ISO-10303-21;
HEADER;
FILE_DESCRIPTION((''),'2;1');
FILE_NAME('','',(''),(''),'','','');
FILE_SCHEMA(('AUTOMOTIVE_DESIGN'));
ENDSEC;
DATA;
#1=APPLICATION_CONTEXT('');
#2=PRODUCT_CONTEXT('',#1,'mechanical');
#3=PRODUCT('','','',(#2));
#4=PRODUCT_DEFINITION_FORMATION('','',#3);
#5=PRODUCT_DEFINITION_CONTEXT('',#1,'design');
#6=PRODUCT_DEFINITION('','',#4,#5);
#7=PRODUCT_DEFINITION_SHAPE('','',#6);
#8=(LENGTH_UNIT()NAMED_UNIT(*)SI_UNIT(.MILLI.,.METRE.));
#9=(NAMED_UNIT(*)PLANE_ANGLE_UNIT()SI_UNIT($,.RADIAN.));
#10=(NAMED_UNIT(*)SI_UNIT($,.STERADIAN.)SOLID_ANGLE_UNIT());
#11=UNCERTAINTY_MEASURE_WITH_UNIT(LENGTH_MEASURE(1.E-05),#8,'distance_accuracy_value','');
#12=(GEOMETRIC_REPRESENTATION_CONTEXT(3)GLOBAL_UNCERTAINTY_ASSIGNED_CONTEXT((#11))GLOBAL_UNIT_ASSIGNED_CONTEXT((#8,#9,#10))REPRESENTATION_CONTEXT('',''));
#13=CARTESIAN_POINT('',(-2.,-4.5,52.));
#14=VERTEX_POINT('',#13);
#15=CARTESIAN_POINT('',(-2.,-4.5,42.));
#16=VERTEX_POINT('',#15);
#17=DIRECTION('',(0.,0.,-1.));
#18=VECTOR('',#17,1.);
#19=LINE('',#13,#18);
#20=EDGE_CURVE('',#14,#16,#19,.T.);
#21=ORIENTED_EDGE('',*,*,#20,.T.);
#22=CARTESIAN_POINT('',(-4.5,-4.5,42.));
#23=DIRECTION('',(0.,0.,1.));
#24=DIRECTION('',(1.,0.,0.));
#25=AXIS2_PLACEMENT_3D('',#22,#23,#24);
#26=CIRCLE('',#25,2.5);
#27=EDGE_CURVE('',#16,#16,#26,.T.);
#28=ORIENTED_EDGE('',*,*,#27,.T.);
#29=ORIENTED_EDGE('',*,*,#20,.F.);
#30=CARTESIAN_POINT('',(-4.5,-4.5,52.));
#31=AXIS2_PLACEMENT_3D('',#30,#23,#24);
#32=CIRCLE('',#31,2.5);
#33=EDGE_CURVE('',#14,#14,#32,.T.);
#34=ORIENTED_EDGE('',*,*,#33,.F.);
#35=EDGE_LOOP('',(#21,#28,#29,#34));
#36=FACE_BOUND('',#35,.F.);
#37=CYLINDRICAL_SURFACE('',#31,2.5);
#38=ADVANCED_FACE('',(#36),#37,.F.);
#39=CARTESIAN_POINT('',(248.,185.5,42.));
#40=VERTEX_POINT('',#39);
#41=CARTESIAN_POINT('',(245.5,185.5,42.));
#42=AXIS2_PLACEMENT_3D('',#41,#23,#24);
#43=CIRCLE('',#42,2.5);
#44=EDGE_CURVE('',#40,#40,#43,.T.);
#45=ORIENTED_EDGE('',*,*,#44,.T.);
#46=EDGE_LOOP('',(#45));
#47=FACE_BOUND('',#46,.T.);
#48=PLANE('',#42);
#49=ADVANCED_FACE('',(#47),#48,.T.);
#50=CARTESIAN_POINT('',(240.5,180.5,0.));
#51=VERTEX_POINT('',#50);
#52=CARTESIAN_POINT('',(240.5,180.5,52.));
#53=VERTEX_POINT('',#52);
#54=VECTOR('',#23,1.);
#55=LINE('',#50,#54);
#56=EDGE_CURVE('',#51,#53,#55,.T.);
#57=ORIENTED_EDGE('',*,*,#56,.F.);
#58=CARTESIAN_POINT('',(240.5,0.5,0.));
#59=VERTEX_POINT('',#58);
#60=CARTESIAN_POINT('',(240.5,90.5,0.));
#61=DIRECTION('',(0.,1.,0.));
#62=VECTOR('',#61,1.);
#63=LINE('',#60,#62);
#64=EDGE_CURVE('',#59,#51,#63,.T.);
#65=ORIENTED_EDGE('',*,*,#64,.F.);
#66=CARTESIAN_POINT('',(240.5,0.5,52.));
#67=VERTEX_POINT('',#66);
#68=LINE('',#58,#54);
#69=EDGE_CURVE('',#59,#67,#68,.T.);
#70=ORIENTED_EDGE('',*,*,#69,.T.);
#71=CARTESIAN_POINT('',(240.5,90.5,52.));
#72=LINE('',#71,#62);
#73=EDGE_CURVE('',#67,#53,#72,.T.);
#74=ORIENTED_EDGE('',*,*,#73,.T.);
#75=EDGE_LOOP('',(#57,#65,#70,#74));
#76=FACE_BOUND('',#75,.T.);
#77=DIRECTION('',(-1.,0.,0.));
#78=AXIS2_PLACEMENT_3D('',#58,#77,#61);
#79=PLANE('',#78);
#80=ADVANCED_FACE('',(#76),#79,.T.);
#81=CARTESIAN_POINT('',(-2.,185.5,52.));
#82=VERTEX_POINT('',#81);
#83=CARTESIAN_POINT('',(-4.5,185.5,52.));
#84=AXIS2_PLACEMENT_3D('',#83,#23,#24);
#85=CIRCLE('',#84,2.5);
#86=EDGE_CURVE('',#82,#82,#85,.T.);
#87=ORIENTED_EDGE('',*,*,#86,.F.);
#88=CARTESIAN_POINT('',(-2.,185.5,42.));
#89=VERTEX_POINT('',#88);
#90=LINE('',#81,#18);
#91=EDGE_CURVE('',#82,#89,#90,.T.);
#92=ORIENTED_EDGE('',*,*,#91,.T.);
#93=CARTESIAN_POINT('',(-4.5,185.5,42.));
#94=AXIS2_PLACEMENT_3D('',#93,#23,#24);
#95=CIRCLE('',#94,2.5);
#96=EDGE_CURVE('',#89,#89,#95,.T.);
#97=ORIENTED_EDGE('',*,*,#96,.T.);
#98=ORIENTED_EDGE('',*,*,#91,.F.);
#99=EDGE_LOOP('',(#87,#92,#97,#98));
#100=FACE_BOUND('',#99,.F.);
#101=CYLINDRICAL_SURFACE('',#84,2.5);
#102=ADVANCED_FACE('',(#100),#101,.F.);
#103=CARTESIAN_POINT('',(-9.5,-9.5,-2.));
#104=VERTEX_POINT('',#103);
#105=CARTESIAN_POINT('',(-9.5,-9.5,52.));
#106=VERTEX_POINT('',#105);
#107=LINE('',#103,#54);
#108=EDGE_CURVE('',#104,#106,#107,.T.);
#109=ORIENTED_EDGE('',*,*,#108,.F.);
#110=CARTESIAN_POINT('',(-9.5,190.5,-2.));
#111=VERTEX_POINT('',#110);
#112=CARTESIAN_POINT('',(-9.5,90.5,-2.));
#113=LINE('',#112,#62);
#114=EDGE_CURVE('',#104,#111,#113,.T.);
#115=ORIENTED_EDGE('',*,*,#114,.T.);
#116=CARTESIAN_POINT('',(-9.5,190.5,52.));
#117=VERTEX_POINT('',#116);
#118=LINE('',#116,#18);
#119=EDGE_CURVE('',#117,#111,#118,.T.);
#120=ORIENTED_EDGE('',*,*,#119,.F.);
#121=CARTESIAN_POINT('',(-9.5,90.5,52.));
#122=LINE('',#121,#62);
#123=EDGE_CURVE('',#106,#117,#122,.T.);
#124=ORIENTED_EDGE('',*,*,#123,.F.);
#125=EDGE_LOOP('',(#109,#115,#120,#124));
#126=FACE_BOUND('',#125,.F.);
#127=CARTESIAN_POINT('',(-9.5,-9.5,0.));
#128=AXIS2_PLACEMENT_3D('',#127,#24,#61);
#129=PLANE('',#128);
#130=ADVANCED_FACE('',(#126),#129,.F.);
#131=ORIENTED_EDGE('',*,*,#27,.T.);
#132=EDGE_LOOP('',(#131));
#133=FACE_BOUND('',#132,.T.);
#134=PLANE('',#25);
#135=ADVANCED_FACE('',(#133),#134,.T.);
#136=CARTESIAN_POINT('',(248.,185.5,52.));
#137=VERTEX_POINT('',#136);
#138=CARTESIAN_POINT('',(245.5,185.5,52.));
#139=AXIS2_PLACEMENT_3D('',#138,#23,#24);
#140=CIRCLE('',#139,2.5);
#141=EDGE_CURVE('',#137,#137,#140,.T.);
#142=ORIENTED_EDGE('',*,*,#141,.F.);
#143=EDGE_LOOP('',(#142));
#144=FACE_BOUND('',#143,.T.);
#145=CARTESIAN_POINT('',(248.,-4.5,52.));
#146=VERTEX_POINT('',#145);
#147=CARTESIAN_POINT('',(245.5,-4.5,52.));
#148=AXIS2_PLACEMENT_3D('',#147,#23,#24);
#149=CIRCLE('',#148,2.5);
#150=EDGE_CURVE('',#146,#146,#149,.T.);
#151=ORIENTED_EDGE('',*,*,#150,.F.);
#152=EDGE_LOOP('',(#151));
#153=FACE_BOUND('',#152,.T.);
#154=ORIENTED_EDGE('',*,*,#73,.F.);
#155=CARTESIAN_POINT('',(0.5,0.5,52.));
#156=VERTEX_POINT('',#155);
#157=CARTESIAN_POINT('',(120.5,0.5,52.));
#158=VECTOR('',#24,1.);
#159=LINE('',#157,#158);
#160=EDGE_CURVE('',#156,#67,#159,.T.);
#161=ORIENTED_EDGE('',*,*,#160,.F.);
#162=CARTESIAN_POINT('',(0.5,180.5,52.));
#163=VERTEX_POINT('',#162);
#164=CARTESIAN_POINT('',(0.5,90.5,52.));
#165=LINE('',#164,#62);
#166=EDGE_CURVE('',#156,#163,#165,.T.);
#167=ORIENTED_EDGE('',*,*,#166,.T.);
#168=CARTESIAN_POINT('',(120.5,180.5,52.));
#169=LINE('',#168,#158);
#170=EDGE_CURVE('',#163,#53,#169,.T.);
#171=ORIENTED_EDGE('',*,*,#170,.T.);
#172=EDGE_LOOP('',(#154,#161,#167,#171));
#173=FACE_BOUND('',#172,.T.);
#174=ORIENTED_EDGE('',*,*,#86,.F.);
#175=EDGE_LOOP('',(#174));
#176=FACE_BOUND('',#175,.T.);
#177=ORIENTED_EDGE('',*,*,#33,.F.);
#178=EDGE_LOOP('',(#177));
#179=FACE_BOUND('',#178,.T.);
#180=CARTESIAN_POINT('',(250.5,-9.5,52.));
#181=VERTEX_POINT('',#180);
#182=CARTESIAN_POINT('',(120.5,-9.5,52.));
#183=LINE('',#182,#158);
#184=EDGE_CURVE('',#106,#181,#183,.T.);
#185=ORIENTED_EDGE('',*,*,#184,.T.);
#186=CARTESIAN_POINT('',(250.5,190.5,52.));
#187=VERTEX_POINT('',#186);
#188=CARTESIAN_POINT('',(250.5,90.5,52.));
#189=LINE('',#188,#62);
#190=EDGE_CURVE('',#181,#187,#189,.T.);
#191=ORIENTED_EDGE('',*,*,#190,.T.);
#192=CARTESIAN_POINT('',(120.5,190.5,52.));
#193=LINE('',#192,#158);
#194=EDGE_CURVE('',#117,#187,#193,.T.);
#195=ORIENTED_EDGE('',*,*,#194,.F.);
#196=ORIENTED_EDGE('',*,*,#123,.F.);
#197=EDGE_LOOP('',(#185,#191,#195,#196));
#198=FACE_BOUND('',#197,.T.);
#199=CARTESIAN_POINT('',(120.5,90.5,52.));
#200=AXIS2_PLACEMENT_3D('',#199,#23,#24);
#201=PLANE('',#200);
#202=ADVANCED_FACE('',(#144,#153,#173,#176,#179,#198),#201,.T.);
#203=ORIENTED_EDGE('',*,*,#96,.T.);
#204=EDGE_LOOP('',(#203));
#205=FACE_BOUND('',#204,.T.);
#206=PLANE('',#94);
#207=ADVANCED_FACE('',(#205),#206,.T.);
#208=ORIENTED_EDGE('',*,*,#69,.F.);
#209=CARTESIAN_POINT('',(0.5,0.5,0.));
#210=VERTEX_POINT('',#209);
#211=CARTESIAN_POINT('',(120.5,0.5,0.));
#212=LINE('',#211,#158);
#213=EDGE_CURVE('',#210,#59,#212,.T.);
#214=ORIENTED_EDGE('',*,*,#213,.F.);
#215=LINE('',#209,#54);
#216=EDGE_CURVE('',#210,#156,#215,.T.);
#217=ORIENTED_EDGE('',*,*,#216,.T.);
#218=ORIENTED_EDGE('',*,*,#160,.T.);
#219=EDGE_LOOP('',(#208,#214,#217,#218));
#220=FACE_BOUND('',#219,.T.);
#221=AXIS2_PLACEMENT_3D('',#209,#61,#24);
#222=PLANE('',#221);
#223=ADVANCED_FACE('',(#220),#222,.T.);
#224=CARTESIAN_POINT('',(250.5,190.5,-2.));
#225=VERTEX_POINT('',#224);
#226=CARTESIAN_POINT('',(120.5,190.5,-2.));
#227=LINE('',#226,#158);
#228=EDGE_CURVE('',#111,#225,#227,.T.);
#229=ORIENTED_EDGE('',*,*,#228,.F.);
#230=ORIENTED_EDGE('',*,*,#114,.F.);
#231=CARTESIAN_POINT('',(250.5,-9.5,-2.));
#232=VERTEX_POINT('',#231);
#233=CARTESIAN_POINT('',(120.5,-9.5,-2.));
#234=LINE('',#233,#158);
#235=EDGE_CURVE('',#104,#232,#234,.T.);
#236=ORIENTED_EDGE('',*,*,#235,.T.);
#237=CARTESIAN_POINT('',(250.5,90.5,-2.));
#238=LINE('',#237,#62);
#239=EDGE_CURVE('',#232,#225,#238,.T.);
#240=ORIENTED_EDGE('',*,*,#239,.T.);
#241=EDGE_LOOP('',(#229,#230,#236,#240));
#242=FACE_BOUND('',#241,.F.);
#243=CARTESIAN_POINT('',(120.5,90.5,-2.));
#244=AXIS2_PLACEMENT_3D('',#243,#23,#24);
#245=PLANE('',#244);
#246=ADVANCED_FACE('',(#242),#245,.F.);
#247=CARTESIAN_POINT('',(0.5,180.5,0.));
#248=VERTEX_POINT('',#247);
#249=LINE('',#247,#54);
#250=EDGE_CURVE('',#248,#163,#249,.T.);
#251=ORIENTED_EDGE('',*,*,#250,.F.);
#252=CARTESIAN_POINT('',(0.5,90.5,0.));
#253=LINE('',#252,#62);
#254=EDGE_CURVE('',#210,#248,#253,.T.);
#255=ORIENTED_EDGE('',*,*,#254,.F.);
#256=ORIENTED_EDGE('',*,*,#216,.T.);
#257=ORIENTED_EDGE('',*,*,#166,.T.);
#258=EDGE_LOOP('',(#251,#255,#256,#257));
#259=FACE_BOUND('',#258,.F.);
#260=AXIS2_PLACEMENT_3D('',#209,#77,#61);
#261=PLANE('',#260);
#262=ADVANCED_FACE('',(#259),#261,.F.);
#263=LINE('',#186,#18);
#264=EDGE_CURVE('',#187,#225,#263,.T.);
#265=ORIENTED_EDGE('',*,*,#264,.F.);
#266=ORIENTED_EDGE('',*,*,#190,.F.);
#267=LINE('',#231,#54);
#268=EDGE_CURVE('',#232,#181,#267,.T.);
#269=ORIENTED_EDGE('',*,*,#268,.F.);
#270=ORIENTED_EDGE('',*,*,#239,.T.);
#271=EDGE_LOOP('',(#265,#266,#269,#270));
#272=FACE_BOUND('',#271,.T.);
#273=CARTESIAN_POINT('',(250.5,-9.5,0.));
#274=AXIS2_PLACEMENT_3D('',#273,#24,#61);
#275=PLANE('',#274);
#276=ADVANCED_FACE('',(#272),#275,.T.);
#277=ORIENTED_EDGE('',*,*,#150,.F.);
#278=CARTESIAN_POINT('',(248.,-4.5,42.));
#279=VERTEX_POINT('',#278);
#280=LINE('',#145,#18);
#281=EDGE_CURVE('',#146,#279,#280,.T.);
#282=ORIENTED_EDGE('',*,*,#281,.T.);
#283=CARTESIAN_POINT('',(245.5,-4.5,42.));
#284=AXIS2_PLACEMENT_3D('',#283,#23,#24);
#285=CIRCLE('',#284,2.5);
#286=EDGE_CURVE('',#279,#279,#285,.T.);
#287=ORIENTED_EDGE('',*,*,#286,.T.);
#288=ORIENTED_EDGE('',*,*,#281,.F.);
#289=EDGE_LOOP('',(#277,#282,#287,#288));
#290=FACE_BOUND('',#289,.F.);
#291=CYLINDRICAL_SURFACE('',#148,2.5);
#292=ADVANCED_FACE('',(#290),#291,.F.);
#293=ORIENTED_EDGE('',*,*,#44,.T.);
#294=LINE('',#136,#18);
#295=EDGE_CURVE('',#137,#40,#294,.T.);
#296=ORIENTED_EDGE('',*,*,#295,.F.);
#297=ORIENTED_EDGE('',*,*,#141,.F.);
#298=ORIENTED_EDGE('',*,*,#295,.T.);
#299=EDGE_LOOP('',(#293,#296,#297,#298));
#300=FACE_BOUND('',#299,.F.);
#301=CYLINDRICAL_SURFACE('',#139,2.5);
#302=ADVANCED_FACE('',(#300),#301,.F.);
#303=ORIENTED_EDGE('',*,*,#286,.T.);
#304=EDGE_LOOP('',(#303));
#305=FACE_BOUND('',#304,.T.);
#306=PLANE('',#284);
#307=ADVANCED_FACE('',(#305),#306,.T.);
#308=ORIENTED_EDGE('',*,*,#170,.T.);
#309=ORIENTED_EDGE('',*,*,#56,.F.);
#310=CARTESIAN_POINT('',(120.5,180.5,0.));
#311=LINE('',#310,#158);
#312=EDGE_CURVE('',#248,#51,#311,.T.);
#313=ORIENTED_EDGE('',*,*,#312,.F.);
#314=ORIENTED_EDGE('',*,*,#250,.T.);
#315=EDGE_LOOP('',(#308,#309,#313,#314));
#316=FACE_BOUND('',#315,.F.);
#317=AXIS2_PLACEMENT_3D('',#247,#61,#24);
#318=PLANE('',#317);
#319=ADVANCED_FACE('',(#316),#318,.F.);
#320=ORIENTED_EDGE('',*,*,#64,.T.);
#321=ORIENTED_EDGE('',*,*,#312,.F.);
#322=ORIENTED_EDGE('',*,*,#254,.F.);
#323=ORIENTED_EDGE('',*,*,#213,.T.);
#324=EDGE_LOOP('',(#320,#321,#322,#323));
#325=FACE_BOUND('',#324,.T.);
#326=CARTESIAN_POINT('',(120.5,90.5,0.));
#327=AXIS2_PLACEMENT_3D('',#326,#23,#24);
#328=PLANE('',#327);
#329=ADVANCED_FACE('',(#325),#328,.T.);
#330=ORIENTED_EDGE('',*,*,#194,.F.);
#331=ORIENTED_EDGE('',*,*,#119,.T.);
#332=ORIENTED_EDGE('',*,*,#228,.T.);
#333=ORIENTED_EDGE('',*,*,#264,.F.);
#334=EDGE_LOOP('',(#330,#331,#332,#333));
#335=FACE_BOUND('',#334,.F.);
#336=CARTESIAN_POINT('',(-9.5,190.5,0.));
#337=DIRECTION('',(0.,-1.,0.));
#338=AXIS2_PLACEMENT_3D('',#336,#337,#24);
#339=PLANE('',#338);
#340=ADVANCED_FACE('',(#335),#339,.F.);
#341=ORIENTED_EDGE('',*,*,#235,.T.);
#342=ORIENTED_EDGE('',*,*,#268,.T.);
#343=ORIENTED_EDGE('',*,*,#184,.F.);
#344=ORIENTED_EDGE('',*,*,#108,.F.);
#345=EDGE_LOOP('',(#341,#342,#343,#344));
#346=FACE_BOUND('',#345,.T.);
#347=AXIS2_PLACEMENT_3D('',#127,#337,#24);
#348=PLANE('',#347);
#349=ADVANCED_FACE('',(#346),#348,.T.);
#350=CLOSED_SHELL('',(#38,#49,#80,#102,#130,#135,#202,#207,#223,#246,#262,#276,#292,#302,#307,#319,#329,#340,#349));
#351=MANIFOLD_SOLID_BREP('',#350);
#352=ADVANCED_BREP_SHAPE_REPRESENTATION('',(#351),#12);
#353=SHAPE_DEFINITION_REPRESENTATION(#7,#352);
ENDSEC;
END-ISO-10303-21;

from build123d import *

# Parameters (mm, degrees)
SKETCH_W     = 260
SKETCH_H     = 200
SKETCH_W_2   = 240
SKETCH_H_2   = 180
PAD_DEPTH    = 52
SKETCH001_W  = 260
SKETCH001_H  = 200
PAD001_DEPTH = 2
SKETCH002_R  = 2.5
POCKET_DEPTH = 10


with BuildPart() as part:
    # Sketch → Pad (new body)
    with BuildSketch(Plane.XY):
        with Locations((120.5, 90.5)):
            Rectangle(SKETCH_W, SKETCH_H)
        with Locations((120.5, 90.5)):
            Rectangle(SKETCH_W_2, SKETCH_H_2, mode=Mode.SUBTRACT)
    extrude(amount=PAD_DEPTH)

    # Sketch001 → Pad001 (join)
    with BuildSketch(Plane.XY):
        with Locations((120.5, 90.5)):
            Rectangle(SKETCH001_W, SKETCH001_H)
    extrude(amount=-PAD001_DEPTH)

    # Sketch002 (on Face3 of Pad001) → Pocket (cut)
    with BuildSketch(Plane.XY.offset(52)):
        with Locations((245.5, 185.5)):
            Circle(SKETCH002_R)
        with Locations((245.5, -4.5)):
            Circle(SKETCH002_R)
        with Locations((-4.5, -4.5)):
            Circle(SKETCH002_R)
        with Locations((-4.5, 185.5)):
            Circle(SKETCH002_R)
    extrude(amount=-POCKET_DEPTH, mode=Mode.SUBTRACT)


solid = part.part
